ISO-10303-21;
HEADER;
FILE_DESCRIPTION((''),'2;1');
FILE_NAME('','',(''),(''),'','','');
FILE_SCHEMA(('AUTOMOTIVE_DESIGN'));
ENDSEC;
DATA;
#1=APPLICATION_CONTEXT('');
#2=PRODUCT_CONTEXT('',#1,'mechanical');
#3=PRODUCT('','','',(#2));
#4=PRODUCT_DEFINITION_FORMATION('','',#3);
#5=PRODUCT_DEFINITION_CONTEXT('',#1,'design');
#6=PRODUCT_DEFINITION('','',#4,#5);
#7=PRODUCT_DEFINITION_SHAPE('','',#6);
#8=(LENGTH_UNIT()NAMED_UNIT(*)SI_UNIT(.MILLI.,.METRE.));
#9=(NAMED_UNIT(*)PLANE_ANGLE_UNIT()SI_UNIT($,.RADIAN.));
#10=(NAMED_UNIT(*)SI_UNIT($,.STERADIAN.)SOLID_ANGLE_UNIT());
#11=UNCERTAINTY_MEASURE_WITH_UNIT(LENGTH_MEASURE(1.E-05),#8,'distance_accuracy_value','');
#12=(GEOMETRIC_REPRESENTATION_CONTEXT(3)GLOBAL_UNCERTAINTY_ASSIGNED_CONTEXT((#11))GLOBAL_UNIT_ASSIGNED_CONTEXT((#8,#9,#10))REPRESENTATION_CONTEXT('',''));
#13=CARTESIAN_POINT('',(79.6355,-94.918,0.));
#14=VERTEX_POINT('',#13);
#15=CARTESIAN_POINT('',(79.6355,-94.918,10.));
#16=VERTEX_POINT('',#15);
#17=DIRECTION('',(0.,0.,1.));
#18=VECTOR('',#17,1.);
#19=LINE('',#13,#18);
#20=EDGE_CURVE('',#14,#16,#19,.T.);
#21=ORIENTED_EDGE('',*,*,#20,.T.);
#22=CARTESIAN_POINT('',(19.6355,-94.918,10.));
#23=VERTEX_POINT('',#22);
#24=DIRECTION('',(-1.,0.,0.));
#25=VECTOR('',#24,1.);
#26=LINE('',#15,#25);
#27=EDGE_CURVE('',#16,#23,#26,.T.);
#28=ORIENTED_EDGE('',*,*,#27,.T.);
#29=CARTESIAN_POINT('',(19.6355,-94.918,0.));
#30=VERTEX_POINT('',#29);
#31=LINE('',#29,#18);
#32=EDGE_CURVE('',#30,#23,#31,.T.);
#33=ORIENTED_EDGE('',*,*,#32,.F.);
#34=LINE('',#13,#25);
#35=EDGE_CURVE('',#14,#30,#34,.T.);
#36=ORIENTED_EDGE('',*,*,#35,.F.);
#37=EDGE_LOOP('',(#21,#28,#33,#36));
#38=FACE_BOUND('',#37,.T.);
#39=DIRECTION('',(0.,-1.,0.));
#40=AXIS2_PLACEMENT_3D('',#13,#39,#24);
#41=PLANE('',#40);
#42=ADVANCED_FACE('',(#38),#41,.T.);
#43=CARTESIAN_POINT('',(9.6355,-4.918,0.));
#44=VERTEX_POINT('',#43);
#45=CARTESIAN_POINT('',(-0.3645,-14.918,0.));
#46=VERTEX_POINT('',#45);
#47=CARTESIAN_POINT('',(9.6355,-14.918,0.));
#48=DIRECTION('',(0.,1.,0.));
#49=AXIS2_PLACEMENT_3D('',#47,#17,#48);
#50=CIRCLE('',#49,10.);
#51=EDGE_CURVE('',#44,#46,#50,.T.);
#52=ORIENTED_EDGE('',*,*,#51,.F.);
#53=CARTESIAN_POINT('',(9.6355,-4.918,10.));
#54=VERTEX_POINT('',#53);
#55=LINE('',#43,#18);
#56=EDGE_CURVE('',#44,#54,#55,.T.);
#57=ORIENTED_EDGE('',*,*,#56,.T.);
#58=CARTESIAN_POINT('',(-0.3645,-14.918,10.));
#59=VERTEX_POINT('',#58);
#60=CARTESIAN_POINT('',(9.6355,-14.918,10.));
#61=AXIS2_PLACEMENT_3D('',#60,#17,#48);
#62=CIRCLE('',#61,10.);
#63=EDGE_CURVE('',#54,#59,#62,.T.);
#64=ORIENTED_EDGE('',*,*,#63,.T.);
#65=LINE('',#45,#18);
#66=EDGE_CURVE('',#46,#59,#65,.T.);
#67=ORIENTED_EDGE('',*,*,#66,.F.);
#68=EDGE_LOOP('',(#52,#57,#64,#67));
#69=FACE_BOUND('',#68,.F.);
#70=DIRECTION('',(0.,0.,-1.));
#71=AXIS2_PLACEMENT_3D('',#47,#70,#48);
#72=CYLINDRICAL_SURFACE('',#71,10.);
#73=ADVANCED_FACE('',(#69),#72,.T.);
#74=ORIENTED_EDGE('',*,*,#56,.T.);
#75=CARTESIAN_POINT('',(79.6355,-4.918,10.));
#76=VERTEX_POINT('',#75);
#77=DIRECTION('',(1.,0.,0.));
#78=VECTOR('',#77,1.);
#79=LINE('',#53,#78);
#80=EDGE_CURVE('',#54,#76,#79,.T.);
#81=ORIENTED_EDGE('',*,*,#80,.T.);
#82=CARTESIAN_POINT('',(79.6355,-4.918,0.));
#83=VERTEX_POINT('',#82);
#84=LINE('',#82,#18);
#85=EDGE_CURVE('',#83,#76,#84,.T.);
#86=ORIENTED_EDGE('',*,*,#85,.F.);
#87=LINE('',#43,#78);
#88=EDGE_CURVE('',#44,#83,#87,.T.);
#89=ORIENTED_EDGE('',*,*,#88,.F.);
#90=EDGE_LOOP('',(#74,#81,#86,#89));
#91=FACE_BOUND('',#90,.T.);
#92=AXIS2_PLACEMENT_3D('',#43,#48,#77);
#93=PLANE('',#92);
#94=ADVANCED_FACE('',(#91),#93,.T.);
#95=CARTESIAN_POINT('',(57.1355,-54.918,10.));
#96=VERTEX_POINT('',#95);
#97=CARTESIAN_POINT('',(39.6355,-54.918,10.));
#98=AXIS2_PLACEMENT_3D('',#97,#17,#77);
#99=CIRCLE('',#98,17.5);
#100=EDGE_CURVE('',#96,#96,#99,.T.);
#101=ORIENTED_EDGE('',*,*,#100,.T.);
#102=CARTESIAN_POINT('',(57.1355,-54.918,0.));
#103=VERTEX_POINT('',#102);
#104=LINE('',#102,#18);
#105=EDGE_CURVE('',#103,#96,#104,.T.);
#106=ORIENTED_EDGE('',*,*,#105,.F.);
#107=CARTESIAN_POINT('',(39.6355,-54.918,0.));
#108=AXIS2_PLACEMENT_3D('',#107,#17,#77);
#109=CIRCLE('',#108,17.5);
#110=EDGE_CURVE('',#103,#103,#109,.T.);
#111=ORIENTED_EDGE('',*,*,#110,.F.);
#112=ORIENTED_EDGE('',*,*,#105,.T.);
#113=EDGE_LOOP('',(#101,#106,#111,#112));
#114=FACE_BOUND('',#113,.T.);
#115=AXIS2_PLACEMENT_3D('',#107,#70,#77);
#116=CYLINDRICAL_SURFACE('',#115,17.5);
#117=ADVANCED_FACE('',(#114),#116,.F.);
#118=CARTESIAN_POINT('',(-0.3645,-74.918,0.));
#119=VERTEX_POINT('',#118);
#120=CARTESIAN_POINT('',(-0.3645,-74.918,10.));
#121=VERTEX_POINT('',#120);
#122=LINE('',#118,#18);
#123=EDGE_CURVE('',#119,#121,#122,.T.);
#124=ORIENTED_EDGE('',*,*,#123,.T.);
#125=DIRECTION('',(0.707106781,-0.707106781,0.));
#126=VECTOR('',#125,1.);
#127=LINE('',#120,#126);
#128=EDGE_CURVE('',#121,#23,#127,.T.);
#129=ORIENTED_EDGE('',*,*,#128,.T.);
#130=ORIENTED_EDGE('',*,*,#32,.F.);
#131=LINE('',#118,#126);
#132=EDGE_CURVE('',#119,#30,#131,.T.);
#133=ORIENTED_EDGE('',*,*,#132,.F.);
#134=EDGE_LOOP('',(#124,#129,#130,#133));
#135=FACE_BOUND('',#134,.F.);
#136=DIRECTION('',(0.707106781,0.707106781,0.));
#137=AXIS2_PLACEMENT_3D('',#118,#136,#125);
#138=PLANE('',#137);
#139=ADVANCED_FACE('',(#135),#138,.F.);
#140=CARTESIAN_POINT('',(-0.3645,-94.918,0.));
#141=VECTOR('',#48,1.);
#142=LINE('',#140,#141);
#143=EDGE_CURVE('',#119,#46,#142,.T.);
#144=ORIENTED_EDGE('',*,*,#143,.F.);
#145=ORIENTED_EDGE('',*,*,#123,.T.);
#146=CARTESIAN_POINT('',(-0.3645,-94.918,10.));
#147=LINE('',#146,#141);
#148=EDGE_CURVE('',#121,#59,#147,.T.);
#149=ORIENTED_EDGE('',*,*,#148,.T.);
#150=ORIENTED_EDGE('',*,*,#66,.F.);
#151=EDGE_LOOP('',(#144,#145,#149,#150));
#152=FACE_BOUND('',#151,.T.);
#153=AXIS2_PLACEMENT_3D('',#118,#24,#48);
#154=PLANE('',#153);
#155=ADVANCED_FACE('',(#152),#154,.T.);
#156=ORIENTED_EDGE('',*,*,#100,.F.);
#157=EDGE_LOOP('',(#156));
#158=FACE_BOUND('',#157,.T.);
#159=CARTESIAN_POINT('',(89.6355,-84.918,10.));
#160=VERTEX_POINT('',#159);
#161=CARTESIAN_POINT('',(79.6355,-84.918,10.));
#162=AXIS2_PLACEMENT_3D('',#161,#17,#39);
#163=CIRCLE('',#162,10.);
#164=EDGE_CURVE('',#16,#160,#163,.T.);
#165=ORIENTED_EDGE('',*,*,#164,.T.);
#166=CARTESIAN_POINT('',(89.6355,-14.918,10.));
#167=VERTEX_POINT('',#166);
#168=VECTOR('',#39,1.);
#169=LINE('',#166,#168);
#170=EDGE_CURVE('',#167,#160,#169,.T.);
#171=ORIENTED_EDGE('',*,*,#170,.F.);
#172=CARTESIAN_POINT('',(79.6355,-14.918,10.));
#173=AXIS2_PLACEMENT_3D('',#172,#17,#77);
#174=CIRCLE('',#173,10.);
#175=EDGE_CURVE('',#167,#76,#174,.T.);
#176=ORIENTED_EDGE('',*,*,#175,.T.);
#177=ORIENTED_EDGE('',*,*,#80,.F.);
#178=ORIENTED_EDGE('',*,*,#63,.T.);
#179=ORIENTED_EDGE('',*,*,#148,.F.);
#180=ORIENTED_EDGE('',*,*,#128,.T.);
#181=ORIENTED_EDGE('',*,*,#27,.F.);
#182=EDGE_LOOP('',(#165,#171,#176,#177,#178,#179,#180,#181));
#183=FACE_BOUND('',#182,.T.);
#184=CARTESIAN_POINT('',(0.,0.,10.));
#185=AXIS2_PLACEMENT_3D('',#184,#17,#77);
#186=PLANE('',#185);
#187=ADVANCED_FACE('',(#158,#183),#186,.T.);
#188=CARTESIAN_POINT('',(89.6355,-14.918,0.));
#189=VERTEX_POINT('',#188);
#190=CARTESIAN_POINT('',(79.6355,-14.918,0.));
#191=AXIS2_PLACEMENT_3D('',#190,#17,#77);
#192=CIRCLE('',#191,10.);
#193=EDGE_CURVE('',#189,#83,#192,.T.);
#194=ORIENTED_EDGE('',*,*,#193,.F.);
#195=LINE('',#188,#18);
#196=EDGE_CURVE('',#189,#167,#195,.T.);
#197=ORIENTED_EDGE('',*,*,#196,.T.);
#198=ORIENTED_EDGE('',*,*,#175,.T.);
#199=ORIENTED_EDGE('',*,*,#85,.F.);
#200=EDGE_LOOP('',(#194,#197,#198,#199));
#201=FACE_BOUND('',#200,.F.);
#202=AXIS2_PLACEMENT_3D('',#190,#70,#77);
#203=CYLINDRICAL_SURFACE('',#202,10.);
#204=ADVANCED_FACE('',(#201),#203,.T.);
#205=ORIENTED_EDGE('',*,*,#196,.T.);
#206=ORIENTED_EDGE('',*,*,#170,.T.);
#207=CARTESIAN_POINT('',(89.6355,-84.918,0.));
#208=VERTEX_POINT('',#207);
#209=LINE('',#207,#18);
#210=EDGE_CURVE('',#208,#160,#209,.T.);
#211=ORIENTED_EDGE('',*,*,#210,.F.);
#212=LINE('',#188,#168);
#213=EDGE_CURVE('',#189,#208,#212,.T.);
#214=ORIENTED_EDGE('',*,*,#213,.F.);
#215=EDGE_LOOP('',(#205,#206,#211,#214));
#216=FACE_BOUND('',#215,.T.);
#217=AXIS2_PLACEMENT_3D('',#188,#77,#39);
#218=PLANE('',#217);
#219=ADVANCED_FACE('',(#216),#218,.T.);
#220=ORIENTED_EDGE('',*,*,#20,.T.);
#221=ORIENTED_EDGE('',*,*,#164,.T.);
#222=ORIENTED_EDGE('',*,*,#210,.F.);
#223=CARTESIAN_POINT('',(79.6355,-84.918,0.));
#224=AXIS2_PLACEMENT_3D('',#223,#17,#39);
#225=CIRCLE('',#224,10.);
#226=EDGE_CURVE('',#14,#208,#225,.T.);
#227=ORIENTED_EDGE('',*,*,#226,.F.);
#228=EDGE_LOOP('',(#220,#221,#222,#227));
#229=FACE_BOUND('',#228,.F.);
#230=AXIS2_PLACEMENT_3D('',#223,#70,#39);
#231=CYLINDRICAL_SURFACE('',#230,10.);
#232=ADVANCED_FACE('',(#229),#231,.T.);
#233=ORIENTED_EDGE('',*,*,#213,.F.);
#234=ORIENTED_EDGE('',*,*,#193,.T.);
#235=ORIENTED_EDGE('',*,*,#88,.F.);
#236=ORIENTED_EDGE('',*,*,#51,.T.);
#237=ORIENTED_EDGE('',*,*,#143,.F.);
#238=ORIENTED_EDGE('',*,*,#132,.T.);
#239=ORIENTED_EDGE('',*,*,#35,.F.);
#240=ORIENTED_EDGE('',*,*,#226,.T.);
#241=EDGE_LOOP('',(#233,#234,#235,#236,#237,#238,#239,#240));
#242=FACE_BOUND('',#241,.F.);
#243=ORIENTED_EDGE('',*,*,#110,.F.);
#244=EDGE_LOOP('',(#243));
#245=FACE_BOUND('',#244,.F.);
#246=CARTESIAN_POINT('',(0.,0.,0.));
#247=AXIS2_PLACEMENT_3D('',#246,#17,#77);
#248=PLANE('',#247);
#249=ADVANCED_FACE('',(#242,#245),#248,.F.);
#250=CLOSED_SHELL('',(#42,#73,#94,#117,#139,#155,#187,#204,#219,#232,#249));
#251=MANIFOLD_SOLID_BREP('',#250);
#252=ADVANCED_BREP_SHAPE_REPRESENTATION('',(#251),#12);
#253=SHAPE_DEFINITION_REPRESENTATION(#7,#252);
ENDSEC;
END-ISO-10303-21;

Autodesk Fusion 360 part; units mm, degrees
sketch "Sketch1" plane through (0, 0, 0) normal (0, 0, 1) x (1, 0, 0)
  line L0 (9.6355, -4.918) -> (79.6355, -4.918)
  line L1 (89.6355, -14.918) -> (89.6355, -84.918)
  line L2 (79.6355, -94.918) -> (-0.3645, -94.918)
  line L3 (-0.3645, -94.918) -> (-0.3645, -14.918)
  line L4 (-0.3645, -74.918) -> (19.6355, -94.918)
  circle A0 centre (39.6355, -54.918) radius 17.5
  arc A1 (9.6355, -4.918) -> (-0.3645, -14.918) centre (9.6355, -14.918) ccw
  arc A2 (89.6355, -14.918) -> (79.6355, -4.918) centre (79.6355, -14.918) ccw
  arc A3 (79.6355, -94.918) -> (89.6355, -84.918) centre (79.6355, -84.918) ccw
  point P0 (-0.3645, -4.918)
  point P1 (89.6355, -4.918)
  dimension "d1" = 90
  dimension "d2" = 90
  dimension "d3" = 20
  dimension "d4" = 20
  dimension "d5" = 35
  dimension "d6" = 40
  dimension "d7" = 40
  dimension "d8" = 10
  dimension "d9" = 10
  dimension "d10" = 10
extrude "Extrude1" add sketch "Sketch1" along normal blind 10 contours L0 L1 L2 L3 L4 A1 A2 A3
